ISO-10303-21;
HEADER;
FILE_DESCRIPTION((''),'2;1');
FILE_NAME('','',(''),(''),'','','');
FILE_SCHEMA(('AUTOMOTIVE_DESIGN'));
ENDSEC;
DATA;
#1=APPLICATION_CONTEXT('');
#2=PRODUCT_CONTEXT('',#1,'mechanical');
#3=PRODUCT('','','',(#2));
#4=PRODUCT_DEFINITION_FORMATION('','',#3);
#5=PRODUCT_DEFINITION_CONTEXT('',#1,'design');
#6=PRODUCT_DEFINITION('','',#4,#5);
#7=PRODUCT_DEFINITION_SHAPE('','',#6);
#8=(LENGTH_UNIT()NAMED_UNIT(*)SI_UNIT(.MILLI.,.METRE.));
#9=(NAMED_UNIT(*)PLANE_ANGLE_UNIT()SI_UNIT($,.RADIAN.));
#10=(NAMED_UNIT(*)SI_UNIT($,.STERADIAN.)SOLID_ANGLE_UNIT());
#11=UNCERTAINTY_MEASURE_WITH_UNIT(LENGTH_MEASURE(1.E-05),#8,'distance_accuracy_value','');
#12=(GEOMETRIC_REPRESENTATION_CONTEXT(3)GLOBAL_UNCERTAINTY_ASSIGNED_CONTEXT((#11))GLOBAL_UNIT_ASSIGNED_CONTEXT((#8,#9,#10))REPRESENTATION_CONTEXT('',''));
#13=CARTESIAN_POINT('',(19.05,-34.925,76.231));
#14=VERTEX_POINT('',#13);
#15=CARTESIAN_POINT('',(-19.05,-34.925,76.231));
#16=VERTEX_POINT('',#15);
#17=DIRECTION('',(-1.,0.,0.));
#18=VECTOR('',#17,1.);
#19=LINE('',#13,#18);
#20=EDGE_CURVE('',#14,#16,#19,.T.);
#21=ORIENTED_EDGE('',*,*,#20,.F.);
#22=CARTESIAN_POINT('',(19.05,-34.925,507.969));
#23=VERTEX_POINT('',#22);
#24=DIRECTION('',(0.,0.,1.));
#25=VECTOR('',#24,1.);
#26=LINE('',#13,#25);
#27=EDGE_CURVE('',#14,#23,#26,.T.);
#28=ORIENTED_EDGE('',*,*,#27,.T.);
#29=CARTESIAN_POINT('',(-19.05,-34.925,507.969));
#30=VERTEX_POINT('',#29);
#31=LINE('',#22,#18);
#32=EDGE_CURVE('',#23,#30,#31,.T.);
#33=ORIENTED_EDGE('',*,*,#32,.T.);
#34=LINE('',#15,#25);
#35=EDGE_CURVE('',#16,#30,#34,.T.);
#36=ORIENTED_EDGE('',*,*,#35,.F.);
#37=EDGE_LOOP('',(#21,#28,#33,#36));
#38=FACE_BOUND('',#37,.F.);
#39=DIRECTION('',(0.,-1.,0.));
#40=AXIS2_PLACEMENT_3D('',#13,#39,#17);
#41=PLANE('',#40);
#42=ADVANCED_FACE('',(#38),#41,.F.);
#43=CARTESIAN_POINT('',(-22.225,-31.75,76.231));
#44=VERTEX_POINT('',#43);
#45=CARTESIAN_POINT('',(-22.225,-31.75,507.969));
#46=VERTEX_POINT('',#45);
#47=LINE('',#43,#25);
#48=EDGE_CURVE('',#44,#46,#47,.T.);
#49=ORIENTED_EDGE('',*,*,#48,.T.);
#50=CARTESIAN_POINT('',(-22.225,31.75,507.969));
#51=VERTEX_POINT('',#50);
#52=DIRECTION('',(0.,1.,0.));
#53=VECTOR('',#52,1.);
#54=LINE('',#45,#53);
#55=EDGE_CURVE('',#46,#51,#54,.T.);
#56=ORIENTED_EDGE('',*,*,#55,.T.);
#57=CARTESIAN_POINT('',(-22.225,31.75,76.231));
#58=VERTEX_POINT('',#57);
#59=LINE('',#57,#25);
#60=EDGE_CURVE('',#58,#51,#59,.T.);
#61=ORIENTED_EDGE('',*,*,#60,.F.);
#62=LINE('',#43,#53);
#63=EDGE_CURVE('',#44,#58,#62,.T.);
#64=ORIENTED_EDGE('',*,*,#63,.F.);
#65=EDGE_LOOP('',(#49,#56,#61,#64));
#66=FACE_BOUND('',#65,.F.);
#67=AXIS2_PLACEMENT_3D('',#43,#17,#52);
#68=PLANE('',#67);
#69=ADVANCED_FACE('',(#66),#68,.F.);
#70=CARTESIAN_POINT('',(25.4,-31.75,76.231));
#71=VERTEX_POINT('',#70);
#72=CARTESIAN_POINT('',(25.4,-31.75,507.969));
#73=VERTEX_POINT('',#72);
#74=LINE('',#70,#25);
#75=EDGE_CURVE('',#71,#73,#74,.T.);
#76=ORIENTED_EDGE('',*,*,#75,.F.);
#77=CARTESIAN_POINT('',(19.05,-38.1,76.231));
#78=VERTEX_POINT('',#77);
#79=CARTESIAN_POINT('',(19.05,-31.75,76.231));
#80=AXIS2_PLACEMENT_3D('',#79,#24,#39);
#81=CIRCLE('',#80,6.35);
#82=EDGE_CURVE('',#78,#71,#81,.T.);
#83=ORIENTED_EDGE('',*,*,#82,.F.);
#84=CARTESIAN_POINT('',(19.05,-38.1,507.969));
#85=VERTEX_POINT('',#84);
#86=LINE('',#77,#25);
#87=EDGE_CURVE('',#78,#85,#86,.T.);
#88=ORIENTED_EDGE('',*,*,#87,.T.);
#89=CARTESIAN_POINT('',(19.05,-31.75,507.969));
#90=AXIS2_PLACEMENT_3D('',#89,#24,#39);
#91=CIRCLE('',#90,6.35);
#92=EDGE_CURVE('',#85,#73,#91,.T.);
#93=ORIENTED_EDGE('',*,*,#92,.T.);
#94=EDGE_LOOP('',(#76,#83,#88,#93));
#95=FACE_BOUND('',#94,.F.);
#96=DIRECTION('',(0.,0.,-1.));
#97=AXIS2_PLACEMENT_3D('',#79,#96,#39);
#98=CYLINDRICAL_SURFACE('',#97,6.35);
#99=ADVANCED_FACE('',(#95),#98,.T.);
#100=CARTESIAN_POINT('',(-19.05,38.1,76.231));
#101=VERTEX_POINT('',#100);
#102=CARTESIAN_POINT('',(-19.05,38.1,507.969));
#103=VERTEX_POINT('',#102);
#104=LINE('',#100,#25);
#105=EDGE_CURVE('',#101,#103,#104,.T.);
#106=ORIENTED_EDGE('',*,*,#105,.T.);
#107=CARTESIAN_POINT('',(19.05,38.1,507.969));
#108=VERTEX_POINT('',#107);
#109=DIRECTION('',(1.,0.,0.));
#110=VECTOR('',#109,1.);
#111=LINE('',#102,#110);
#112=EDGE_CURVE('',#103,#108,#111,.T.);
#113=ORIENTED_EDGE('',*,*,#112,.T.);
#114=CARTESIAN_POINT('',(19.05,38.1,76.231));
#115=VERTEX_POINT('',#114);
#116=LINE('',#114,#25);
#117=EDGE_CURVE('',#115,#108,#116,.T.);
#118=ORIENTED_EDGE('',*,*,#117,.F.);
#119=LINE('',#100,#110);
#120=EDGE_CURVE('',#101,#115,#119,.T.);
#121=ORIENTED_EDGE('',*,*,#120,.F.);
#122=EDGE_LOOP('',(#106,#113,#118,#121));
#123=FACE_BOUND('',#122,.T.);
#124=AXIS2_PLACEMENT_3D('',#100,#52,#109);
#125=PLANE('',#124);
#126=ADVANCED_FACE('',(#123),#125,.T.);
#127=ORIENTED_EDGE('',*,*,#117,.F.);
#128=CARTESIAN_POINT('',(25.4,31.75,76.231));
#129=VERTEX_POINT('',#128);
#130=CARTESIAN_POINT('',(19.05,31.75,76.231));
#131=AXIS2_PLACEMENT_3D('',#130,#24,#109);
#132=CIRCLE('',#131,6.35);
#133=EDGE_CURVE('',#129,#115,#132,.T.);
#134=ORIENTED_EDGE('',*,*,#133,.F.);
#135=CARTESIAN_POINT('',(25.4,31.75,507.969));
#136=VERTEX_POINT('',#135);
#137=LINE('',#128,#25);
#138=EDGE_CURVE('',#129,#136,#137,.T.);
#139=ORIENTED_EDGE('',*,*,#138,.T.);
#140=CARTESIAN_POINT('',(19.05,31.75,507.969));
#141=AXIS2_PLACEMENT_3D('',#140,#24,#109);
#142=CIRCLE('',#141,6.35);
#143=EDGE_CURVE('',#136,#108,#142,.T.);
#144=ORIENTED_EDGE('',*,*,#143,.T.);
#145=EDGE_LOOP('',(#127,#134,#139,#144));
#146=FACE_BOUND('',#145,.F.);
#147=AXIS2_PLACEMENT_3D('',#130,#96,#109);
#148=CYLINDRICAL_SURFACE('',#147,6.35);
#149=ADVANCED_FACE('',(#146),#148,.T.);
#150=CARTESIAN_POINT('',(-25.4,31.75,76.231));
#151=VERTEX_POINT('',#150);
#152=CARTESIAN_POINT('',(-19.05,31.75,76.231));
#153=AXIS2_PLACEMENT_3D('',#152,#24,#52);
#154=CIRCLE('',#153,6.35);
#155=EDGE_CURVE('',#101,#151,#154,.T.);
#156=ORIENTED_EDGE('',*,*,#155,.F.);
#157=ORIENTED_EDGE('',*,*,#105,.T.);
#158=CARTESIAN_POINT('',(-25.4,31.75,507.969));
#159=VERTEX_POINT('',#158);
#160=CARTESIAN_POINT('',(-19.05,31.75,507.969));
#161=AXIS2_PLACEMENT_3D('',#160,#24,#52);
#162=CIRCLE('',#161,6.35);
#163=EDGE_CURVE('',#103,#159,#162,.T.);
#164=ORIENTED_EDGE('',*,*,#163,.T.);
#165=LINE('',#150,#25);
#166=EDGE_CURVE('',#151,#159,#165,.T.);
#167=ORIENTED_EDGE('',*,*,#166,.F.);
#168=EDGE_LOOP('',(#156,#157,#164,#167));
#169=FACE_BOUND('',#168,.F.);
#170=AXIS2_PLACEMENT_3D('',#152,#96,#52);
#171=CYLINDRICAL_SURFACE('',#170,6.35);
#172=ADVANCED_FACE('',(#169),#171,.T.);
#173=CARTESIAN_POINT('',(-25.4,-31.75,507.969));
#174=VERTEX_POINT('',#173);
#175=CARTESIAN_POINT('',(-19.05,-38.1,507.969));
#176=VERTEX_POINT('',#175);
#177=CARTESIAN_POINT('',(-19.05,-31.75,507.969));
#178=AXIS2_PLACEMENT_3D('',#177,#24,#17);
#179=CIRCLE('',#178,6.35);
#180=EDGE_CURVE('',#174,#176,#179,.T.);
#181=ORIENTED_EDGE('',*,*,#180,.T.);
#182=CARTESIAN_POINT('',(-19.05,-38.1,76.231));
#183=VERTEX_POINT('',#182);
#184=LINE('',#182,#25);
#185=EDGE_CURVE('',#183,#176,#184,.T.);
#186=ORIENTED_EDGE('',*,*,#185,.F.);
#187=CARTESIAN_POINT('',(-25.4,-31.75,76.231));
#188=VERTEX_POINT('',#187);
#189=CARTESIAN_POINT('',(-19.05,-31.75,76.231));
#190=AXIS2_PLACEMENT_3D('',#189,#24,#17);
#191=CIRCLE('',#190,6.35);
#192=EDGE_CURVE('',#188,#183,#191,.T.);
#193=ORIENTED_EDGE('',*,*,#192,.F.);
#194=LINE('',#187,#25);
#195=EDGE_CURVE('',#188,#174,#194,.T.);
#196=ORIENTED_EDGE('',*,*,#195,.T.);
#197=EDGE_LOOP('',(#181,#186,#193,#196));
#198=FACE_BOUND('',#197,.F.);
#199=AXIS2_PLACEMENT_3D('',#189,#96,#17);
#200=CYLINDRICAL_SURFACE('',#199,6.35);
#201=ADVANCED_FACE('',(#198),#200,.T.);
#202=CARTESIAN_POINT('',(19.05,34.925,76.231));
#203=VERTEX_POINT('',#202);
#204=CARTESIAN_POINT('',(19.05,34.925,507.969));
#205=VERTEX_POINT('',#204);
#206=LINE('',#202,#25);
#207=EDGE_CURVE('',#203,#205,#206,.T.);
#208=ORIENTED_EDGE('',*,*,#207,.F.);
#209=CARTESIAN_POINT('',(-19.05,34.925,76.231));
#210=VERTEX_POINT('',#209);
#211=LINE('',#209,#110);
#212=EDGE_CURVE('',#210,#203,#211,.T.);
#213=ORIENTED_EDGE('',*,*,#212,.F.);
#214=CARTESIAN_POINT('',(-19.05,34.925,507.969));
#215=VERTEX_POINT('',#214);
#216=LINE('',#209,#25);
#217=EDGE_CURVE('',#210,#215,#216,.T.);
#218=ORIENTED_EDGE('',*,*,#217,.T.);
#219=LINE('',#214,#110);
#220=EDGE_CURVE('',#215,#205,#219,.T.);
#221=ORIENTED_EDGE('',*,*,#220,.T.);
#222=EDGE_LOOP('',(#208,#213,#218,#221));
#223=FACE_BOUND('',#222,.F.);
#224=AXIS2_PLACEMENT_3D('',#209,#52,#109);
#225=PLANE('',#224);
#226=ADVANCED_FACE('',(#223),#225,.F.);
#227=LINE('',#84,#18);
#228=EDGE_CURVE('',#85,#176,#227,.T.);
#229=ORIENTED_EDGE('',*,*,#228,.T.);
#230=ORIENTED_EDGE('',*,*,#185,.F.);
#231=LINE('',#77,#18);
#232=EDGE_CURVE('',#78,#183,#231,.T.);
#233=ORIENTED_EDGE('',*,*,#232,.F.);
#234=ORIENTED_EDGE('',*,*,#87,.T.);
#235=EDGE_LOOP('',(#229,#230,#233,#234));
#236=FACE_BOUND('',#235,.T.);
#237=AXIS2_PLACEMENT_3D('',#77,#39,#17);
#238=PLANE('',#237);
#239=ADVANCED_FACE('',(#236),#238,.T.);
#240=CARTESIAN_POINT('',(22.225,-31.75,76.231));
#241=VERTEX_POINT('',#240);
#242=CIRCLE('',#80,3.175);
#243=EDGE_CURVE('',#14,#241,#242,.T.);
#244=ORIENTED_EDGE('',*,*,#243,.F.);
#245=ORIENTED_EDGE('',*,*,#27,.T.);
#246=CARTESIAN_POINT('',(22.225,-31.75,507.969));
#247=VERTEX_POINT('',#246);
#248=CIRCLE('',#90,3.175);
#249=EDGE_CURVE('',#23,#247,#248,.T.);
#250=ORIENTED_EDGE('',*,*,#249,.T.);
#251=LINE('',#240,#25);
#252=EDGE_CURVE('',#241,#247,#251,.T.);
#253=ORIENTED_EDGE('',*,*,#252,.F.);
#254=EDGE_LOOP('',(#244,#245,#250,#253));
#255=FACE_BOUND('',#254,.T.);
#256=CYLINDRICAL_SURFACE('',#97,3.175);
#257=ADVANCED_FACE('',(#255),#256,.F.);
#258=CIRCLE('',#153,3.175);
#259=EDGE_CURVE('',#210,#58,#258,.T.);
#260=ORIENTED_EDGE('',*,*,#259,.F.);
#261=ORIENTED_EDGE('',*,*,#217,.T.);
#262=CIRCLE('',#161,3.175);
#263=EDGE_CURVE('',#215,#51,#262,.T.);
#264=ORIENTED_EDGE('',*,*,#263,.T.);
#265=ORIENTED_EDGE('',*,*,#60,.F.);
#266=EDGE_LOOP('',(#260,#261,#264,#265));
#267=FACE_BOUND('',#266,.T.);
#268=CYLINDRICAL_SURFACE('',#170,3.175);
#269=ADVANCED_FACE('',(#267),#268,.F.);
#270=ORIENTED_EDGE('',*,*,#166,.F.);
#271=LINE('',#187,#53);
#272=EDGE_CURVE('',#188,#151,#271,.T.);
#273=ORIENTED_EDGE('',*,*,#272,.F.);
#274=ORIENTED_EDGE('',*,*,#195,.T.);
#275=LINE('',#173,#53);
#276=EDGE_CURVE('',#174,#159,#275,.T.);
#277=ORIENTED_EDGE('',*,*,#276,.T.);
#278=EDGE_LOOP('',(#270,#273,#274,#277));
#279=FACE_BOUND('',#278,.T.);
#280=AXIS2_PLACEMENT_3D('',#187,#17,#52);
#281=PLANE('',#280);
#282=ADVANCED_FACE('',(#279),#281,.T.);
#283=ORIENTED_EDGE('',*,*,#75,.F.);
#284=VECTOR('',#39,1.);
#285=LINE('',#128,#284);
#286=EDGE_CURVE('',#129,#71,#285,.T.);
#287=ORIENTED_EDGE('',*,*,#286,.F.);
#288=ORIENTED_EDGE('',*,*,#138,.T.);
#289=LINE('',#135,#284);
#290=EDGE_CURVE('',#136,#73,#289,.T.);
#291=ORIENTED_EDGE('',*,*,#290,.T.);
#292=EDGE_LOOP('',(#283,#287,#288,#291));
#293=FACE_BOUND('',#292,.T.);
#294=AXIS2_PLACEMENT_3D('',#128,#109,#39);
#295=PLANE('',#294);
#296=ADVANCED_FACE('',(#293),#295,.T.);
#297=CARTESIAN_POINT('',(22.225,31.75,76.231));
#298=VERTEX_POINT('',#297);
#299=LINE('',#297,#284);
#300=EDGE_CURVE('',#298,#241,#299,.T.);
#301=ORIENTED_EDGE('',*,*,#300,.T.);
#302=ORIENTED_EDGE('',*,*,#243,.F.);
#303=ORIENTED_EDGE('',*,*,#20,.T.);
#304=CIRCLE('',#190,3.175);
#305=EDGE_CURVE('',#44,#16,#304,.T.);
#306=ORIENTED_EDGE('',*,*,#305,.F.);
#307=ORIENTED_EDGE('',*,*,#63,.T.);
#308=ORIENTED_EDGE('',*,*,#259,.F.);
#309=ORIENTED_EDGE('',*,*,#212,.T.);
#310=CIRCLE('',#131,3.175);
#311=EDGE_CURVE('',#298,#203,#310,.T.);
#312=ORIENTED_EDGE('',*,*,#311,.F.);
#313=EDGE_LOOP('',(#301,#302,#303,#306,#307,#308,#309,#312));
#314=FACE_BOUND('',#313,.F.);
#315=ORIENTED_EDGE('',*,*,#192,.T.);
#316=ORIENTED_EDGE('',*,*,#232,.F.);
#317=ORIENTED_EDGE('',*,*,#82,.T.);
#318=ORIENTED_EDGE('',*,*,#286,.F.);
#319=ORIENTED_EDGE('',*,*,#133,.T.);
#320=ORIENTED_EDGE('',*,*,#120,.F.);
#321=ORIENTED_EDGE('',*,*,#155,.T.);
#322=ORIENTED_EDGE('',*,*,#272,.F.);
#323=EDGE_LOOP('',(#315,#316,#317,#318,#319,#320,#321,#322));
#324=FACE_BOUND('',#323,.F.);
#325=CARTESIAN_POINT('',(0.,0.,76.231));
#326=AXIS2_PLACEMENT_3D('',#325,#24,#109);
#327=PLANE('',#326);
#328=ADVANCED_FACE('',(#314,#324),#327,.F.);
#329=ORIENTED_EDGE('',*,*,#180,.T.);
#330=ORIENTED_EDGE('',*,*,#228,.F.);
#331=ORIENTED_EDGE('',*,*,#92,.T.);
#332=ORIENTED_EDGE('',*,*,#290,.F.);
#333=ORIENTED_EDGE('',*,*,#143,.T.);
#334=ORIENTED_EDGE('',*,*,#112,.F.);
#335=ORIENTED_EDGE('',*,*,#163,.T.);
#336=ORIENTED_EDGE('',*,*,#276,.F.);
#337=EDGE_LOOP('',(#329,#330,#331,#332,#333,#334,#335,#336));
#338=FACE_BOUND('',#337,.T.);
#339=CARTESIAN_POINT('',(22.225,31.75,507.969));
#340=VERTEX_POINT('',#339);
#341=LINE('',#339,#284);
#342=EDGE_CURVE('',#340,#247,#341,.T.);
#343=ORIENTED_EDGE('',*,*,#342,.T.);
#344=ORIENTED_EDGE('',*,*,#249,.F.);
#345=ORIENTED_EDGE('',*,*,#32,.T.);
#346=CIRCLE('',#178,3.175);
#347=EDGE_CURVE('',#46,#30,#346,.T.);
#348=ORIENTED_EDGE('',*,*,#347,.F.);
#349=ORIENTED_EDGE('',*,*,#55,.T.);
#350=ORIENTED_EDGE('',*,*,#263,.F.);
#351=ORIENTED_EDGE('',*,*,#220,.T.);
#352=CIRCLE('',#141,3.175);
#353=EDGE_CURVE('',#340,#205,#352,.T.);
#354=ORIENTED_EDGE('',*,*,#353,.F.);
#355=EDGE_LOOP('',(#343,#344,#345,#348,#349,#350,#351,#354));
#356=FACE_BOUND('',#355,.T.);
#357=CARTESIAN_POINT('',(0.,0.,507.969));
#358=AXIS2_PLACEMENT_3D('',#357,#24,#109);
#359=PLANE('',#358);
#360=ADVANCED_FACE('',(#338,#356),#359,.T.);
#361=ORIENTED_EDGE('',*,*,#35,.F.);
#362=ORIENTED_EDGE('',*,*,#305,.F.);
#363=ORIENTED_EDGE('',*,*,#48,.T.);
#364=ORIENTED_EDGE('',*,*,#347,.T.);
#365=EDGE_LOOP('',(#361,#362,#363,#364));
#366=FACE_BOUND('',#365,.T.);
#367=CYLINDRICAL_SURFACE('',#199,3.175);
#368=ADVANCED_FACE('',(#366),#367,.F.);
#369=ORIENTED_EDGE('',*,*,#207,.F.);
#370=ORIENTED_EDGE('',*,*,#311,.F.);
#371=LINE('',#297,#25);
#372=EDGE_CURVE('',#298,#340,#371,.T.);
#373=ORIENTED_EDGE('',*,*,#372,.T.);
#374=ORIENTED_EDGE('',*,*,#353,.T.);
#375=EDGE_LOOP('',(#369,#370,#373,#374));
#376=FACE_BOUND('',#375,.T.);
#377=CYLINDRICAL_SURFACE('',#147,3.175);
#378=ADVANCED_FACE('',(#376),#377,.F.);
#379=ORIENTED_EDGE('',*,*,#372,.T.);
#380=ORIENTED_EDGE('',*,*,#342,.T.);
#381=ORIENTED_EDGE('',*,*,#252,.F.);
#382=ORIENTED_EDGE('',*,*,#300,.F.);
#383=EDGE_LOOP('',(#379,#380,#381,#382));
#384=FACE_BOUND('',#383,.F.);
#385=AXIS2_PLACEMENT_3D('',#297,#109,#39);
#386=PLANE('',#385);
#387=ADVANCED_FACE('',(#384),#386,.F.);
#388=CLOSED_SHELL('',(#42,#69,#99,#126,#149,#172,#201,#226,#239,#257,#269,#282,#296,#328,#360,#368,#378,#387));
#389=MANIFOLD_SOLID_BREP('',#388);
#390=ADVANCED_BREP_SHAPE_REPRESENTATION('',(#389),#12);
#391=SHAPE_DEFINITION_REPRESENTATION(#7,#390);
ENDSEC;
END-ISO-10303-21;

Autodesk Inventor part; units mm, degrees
ref_plane "Start Plane" through (0, 0, 76.231) normal (0, 0, 1) x (1, 0, 0)
ref_plane "End Plane" through (0, 0, 507.969) normal (0, 0, 1) x (1, 0, 0)
sketch "Sketch" plane through (0, 0, 0) normal (0, 0, 1) x (1, 0, 0)
  line L0 (-25.4, -31.75) -> (-25.4, 31.75)
  line L1 (-19.05, 38.1) -> (19.05, 38.1)
  line L2 (25.4, 31.75) -> (25.4, -31.75)
  line L3 (19.05, -38.1) -> (-19.05, -38.1)
  arc A0 (-25.4, -31.75) -> (-19.05, -38.1) centre (-19.05, -31.75) ccw
  arc A1 (-19.05, 38.1) -> (-25.4, 31.75) centre (-19.05, 31.75) ccw
  arc A2 (25.4, 31.75) -> (19.05, 38.1) centre (19.05, 31.75) ccw
  arc A3 (19.05, -38.1) -> (25.4, -31.75) centre (19.05, -31.75) ccw
  arc A4 (-19.05, 34.925) -> (-22.225, 31.75) centre (-19.05, 31.75) ccw
  line L4 (-19.05, 34.925) -> (19.05, 34.925)
  arc A5 (22.225, 31.75) -> (19.05, 34.925) centre (19.05, 31.75) ccw
  line L5 (22.225, 31.75) -> (22.225, -31.75)
  arc A6 (19.05, -34.925) -> (22.225, -31.75) centre (19.05, -31.75) ccw
  line L6 (19.05, -34.925) -> (-19.05, -34.925)
  arc A7 (-22.225, -31.75) -> (-19.05, -34.925) centre (-19.05, -31.75) ccw
  line L7 (-22.225, -31.75) -> (-22.225, 31.75)
  line L8 (0, 55.1812) -> (0, -55.1812) construction
  line L9 (-37.4012, 0) -> (37.4012, 0) construction
  dimension "d10" = 76.2
  dimension "d11" = 50.8
  dimension "d12" = 3.175
  dimension "d15" = 38.1
  dimension "d16" = 25.4
  dimension "d17" = 6.35
extrude "Body" add sketch "Sketch" along normal up to surface (431.738 mm away) from surface at 76.231
sketch "Sketch3" plane through (0, 0, 0) normal (0, 0, 1) x (1, 0, 0)
  line L0 (0, 0) -> (10, 0)
ref_plane "Work Plane3" through (0, 0, 0) normal (0, -1, 0) x (1, 0, 0)
ref_plane "Work Plane4" through (-19.05, 2527.3, 76.231) normal (0, 0, -1) x (-1, 0, 0)
split "Split1" plane through (-19.05, 2527.3, 76.231) removes the side toward (0, 0, -1)
ref_plane "Work Plane5" through (19.05, 2527.3, 507.969) normal (0, 0, 1) x (1, 0, 0)
split "Split2" plane through (19.05, 2527.3, 507.969) removes the side toward (0, 0, 1)
sketch "Sketch4" plane through (0, 0, 0) normal (0, -1, 0) x (1, 0, 0)
  line L0 (-2, 76.231) -> (12, 76.231) projected
  line L1 (-2, 507.969) -> (12, 507.969) projected
  dimension "d19" = 431.738
equation "\"d10\" = G_H"
equation "\"d11\" = G_W"
equation "\"d12\" = G_T"
equation "\"d15\" = 0.5 * d10"
equation "\"d16\" = 0.5 * d11"
equation "\"d17\" = G_IR"
equation "\"d3\" = G_L"
equation "\"G_W\" = 50.8"
equation "\"G_H\" = 76.2"
equation "\"G_T\" = 3.175"
equation "\"G_IR\" = 6.35"
equation "\"G_L\" = d19"
equation "\"G_OFFSET_START\" = -76.231"
equation "\"G_OFFSET_END\" = -76.231"
equation "\"d13\" = -G_OFFSET_START"
equation "\"d14\" = G_OFFSET_END + B_L"
equation "\"B_L\" = 584.2"
properties part number "AISC - 3 x 2 x 1/8 - 16.998" material "Steel, Mild"
